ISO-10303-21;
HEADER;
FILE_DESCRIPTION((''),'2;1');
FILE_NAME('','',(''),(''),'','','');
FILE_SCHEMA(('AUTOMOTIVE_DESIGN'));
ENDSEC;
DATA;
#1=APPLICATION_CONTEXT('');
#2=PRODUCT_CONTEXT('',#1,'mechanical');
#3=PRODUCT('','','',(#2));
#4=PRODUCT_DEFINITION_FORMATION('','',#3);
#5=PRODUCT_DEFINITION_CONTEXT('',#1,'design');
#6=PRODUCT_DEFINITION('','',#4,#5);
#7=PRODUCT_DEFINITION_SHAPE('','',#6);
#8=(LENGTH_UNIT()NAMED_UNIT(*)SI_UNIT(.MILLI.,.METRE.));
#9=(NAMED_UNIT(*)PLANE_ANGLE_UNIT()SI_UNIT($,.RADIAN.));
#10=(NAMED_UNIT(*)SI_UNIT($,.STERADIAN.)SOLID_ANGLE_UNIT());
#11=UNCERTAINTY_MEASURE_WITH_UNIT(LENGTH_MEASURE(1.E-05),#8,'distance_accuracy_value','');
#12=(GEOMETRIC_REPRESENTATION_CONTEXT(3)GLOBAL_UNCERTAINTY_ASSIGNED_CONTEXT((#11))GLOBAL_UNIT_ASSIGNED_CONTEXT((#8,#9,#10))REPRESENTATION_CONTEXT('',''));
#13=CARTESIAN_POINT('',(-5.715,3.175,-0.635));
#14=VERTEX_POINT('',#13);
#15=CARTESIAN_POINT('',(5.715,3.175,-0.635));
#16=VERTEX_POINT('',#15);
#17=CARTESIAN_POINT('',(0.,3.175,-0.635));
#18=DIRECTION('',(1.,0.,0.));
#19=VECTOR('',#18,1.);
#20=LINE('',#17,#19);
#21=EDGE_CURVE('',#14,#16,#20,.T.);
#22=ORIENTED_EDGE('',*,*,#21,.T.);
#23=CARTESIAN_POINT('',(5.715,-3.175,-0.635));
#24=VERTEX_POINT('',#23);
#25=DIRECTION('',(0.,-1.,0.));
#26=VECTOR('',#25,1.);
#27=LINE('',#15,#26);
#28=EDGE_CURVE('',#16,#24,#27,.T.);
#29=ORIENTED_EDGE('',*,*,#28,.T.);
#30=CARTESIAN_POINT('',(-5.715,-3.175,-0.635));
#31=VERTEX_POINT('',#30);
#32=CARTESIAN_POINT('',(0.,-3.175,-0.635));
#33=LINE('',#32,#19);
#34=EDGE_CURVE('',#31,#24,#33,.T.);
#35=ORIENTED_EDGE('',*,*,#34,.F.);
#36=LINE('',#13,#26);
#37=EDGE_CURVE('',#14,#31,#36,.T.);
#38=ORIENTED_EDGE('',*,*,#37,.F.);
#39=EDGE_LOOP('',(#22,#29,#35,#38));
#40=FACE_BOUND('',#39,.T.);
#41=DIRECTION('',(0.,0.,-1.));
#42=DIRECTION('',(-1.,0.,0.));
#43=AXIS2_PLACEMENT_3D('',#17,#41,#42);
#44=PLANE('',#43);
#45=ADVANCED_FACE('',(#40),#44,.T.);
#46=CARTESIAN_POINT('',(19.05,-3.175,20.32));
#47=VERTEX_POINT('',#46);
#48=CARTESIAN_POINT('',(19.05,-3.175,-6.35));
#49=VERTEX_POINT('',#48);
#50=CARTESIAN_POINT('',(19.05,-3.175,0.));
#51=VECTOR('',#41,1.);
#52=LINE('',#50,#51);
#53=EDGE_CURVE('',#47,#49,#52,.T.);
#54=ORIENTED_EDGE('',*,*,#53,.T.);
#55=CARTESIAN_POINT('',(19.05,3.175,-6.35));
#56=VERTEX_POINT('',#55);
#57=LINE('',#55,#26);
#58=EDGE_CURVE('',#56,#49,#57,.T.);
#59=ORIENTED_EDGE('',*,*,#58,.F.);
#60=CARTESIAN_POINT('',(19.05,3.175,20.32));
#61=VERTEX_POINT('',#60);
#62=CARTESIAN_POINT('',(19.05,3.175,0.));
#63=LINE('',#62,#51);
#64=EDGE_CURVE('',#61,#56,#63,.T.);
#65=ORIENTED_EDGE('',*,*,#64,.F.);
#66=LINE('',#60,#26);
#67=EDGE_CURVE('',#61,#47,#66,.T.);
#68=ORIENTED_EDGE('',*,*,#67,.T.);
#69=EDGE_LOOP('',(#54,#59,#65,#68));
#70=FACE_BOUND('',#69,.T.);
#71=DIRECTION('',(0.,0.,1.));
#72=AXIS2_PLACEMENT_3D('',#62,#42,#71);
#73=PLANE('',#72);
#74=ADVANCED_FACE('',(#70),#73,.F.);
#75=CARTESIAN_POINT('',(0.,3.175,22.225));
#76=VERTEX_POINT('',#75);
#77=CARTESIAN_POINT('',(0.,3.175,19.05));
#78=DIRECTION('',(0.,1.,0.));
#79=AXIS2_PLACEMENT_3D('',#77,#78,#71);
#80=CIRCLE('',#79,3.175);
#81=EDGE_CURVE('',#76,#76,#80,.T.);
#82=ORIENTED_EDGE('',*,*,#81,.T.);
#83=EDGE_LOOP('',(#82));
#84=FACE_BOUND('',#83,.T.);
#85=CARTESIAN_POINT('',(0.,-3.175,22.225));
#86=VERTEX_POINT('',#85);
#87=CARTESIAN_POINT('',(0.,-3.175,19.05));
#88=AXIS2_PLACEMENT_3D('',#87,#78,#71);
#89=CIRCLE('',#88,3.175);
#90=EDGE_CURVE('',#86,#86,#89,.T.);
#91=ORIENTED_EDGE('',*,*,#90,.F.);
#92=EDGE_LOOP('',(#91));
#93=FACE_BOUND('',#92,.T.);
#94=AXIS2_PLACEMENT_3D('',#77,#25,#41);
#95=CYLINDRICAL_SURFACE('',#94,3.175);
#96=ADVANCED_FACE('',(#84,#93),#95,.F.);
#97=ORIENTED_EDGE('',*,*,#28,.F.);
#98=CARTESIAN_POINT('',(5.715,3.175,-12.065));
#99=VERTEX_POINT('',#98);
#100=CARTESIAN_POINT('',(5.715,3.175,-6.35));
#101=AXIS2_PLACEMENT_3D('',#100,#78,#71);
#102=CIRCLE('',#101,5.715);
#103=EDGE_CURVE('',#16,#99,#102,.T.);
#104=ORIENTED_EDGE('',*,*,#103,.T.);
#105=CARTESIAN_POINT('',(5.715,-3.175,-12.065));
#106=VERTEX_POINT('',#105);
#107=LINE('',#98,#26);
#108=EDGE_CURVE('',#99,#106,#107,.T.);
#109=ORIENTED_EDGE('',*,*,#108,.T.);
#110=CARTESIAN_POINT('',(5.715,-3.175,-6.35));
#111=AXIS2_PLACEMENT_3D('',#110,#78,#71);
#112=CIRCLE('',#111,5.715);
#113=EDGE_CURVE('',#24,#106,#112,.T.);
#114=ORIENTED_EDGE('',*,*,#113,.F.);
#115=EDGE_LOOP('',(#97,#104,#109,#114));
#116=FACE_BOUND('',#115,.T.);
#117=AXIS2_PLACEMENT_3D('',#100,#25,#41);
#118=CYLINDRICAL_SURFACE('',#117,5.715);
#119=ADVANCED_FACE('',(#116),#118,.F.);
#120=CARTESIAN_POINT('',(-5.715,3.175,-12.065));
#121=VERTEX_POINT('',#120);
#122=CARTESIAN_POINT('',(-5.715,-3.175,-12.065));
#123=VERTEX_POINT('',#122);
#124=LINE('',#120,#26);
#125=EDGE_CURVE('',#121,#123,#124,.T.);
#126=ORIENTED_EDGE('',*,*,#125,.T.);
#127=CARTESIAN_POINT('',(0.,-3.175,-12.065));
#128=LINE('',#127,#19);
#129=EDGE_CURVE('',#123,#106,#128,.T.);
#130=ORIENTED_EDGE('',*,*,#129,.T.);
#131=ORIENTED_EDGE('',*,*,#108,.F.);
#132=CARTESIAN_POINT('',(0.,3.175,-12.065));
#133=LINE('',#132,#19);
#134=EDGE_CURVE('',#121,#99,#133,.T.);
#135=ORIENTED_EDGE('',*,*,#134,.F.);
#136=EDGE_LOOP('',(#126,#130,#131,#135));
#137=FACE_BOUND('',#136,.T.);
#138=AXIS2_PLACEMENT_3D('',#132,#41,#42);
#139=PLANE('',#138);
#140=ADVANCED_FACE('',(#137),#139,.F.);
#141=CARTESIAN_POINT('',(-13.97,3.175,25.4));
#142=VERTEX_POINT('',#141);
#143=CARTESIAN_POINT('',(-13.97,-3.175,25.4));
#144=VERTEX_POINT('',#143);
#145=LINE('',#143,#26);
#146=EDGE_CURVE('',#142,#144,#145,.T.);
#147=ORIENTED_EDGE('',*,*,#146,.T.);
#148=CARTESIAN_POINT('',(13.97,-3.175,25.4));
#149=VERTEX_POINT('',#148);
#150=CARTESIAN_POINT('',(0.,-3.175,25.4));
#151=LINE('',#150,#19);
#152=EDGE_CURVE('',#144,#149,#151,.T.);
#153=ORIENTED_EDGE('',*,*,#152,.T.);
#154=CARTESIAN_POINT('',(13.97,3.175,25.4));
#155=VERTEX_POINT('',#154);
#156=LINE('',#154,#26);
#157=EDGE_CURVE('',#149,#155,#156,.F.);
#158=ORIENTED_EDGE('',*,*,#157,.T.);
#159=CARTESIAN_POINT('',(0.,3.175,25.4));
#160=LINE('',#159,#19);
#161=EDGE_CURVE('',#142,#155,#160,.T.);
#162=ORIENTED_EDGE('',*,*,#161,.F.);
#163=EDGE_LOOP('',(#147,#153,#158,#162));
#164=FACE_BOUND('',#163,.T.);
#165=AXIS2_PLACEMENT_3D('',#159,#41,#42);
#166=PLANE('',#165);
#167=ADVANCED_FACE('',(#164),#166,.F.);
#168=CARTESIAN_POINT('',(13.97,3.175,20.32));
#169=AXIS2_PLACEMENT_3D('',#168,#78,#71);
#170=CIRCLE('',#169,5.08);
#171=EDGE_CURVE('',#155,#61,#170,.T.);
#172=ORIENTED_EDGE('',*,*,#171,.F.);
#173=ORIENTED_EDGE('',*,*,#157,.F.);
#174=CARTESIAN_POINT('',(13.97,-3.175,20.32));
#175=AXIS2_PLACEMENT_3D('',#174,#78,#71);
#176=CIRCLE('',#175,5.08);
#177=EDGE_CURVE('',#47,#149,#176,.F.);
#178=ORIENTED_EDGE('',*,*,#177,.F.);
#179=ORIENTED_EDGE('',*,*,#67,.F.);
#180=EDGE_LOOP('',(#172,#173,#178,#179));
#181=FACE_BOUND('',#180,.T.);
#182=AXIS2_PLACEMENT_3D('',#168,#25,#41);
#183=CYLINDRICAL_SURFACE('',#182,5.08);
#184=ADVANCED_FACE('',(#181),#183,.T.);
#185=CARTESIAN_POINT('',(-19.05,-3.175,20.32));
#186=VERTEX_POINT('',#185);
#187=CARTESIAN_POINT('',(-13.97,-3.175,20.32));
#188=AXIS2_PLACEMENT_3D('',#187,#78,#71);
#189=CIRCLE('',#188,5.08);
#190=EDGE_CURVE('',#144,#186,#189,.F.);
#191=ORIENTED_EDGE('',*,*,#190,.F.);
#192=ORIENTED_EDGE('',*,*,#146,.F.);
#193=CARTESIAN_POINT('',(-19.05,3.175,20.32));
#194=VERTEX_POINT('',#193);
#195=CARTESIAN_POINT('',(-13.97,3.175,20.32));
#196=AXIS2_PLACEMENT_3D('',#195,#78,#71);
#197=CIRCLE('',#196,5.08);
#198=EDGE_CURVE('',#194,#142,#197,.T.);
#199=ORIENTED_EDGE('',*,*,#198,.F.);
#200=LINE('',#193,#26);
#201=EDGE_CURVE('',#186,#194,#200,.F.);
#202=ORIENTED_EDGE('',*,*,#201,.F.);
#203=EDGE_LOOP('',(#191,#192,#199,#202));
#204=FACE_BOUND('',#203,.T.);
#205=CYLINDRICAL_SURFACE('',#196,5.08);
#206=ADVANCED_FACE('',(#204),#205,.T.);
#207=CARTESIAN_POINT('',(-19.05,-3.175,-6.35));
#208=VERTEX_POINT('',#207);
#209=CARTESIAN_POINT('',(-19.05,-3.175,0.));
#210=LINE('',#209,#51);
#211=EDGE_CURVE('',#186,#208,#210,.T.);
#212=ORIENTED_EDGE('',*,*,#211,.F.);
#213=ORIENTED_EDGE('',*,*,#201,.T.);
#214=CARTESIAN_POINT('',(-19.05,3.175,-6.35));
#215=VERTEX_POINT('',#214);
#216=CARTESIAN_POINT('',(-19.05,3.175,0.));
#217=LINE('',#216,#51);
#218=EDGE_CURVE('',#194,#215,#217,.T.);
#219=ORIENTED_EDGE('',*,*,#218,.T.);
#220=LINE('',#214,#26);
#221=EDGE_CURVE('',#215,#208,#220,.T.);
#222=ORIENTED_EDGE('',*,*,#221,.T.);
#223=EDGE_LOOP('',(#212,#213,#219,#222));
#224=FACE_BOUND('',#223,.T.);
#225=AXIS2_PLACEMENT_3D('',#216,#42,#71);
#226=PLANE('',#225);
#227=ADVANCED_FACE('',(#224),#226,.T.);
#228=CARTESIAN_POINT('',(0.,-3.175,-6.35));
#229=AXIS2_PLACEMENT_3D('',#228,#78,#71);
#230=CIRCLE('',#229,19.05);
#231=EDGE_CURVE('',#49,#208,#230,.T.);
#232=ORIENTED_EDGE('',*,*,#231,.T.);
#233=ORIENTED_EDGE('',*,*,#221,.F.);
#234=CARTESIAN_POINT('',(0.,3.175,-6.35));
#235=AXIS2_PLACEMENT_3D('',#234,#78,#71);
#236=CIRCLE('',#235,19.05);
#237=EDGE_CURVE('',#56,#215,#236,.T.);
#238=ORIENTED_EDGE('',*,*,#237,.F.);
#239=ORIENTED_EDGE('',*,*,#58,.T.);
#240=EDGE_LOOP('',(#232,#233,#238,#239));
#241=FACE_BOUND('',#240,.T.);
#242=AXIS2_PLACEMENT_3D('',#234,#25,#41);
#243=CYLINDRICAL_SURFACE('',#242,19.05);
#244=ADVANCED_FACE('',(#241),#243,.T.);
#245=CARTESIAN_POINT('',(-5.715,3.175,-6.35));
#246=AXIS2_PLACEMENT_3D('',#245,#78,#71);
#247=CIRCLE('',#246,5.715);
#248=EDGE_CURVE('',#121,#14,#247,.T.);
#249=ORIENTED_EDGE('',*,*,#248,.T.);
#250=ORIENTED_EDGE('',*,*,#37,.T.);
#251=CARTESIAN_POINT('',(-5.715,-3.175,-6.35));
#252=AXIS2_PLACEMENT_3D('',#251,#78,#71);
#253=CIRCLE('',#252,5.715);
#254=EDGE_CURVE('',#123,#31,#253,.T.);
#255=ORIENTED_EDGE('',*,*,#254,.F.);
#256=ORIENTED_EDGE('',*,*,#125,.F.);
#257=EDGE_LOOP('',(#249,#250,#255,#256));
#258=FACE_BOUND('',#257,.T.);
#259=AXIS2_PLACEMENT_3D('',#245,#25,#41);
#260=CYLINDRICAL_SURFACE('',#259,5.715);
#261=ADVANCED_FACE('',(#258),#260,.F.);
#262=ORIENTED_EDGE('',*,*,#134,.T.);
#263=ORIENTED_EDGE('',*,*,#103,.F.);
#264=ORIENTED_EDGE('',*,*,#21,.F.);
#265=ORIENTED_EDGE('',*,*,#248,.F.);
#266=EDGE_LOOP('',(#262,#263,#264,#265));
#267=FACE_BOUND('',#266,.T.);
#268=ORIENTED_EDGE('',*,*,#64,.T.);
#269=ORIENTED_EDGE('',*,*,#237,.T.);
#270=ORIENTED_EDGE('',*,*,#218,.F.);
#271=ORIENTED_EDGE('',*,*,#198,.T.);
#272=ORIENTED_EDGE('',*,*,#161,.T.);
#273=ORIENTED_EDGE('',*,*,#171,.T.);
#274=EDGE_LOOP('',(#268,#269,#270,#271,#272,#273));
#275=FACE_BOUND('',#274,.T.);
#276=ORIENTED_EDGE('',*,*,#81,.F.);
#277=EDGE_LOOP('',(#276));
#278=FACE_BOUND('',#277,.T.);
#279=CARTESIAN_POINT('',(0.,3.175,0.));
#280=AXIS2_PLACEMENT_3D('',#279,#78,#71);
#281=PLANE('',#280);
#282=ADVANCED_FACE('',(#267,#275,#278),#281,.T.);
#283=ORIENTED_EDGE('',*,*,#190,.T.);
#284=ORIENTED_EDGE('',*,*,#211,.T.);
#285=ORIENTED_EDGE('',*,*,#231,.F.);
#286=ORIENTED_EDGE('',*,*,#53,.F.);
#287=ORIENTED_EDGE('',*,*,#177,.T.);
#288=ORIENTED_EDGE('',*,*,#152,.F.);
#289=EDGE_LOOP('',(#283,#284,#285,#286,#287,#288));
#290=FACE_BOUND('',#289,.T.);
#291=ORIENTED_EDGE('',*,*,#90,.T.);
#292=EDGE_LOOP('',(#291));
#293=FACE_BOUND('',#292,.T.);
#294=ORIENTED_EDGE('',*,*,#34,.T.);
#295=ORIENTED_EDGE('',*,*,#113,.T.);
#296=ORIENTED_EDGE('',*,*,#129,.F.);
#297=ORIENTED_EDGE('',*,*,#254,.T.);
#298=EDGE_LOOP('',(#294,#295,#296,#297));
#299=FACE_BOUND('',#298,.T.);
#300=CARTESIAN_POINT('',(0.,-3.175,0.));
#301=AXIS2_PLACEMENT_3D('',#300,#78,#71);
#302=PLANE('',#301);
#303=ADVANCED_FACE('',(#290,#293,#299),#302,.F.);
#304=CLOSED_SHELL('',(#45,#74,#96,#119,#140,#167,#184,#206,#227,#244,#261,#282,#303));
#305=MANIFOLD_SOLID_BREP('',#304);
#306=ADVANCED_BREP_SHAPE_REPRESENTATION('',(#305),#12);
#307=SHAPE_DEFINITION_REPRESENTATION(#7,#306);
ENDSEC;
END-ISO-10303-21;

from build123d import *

# Parameters (mm, degrees)
SKETCH2_R           = 3.175
BOSS_EXTRUDE1_DEPTH = 3.175
FILLET1_R           = 5.08


with BuildPart() as part:
    # Sketch2 → Boss-Extrude1 (new, symmetric)
    with BuildSketch(Plane(origin=(0, 0, 0), x_dir=(1, 0, 0), z_dir=(0, 1, 0))):
        with BuildLine():
            Line((-19.05, 6.35), (-19.05, -25.4))
            Line((-19.05, -25.4), (19.05, -25.4))
            Line((19.05, -25.4), (19.05, 6.35))
            ThreePointArc((19.05, 6.35), (13.470384188, 19.820384175), (1.9e-08, 25.4))
            ThreePointArc((1.9e-08, 25.4), (-13.470384175, 19.820384188), (-19.05, 6.35))
        make_face()
        with Locations(Location((0, -19.05, 0), (0, 0, 270))):
            Circle(SKETCH2_R, mode=Mode.SUBTRACT)
        with BuildLine():
            ThreePointArc((-5.715, 0.635), (-11.43, 6.35), (-5.715, 12.065))
            Line((-5.715, 12.065), (5.715, 12.065))
            ThreePointArc((5.715, 12.065), (11.43, 6.35), (5.715, 0.635))
            Line((5.715, 0.635), (-5.715, 0.635))
        make_face(mode=Mode.SUBTRACT)
    extrude(amount=BOSS_EXTRUDE1_DEPTH, both=True)

    # Fillet1
    fillet1_edges = [part.edges().sort_by_distance(p)[0] for p in [
        (19.05, -1.5875, 25.4),
        (-19.05, -1.5875, 25.4),
    ]]
    fillet(fillet1_edges, radius=FILLET1_R)


solid = part.part
